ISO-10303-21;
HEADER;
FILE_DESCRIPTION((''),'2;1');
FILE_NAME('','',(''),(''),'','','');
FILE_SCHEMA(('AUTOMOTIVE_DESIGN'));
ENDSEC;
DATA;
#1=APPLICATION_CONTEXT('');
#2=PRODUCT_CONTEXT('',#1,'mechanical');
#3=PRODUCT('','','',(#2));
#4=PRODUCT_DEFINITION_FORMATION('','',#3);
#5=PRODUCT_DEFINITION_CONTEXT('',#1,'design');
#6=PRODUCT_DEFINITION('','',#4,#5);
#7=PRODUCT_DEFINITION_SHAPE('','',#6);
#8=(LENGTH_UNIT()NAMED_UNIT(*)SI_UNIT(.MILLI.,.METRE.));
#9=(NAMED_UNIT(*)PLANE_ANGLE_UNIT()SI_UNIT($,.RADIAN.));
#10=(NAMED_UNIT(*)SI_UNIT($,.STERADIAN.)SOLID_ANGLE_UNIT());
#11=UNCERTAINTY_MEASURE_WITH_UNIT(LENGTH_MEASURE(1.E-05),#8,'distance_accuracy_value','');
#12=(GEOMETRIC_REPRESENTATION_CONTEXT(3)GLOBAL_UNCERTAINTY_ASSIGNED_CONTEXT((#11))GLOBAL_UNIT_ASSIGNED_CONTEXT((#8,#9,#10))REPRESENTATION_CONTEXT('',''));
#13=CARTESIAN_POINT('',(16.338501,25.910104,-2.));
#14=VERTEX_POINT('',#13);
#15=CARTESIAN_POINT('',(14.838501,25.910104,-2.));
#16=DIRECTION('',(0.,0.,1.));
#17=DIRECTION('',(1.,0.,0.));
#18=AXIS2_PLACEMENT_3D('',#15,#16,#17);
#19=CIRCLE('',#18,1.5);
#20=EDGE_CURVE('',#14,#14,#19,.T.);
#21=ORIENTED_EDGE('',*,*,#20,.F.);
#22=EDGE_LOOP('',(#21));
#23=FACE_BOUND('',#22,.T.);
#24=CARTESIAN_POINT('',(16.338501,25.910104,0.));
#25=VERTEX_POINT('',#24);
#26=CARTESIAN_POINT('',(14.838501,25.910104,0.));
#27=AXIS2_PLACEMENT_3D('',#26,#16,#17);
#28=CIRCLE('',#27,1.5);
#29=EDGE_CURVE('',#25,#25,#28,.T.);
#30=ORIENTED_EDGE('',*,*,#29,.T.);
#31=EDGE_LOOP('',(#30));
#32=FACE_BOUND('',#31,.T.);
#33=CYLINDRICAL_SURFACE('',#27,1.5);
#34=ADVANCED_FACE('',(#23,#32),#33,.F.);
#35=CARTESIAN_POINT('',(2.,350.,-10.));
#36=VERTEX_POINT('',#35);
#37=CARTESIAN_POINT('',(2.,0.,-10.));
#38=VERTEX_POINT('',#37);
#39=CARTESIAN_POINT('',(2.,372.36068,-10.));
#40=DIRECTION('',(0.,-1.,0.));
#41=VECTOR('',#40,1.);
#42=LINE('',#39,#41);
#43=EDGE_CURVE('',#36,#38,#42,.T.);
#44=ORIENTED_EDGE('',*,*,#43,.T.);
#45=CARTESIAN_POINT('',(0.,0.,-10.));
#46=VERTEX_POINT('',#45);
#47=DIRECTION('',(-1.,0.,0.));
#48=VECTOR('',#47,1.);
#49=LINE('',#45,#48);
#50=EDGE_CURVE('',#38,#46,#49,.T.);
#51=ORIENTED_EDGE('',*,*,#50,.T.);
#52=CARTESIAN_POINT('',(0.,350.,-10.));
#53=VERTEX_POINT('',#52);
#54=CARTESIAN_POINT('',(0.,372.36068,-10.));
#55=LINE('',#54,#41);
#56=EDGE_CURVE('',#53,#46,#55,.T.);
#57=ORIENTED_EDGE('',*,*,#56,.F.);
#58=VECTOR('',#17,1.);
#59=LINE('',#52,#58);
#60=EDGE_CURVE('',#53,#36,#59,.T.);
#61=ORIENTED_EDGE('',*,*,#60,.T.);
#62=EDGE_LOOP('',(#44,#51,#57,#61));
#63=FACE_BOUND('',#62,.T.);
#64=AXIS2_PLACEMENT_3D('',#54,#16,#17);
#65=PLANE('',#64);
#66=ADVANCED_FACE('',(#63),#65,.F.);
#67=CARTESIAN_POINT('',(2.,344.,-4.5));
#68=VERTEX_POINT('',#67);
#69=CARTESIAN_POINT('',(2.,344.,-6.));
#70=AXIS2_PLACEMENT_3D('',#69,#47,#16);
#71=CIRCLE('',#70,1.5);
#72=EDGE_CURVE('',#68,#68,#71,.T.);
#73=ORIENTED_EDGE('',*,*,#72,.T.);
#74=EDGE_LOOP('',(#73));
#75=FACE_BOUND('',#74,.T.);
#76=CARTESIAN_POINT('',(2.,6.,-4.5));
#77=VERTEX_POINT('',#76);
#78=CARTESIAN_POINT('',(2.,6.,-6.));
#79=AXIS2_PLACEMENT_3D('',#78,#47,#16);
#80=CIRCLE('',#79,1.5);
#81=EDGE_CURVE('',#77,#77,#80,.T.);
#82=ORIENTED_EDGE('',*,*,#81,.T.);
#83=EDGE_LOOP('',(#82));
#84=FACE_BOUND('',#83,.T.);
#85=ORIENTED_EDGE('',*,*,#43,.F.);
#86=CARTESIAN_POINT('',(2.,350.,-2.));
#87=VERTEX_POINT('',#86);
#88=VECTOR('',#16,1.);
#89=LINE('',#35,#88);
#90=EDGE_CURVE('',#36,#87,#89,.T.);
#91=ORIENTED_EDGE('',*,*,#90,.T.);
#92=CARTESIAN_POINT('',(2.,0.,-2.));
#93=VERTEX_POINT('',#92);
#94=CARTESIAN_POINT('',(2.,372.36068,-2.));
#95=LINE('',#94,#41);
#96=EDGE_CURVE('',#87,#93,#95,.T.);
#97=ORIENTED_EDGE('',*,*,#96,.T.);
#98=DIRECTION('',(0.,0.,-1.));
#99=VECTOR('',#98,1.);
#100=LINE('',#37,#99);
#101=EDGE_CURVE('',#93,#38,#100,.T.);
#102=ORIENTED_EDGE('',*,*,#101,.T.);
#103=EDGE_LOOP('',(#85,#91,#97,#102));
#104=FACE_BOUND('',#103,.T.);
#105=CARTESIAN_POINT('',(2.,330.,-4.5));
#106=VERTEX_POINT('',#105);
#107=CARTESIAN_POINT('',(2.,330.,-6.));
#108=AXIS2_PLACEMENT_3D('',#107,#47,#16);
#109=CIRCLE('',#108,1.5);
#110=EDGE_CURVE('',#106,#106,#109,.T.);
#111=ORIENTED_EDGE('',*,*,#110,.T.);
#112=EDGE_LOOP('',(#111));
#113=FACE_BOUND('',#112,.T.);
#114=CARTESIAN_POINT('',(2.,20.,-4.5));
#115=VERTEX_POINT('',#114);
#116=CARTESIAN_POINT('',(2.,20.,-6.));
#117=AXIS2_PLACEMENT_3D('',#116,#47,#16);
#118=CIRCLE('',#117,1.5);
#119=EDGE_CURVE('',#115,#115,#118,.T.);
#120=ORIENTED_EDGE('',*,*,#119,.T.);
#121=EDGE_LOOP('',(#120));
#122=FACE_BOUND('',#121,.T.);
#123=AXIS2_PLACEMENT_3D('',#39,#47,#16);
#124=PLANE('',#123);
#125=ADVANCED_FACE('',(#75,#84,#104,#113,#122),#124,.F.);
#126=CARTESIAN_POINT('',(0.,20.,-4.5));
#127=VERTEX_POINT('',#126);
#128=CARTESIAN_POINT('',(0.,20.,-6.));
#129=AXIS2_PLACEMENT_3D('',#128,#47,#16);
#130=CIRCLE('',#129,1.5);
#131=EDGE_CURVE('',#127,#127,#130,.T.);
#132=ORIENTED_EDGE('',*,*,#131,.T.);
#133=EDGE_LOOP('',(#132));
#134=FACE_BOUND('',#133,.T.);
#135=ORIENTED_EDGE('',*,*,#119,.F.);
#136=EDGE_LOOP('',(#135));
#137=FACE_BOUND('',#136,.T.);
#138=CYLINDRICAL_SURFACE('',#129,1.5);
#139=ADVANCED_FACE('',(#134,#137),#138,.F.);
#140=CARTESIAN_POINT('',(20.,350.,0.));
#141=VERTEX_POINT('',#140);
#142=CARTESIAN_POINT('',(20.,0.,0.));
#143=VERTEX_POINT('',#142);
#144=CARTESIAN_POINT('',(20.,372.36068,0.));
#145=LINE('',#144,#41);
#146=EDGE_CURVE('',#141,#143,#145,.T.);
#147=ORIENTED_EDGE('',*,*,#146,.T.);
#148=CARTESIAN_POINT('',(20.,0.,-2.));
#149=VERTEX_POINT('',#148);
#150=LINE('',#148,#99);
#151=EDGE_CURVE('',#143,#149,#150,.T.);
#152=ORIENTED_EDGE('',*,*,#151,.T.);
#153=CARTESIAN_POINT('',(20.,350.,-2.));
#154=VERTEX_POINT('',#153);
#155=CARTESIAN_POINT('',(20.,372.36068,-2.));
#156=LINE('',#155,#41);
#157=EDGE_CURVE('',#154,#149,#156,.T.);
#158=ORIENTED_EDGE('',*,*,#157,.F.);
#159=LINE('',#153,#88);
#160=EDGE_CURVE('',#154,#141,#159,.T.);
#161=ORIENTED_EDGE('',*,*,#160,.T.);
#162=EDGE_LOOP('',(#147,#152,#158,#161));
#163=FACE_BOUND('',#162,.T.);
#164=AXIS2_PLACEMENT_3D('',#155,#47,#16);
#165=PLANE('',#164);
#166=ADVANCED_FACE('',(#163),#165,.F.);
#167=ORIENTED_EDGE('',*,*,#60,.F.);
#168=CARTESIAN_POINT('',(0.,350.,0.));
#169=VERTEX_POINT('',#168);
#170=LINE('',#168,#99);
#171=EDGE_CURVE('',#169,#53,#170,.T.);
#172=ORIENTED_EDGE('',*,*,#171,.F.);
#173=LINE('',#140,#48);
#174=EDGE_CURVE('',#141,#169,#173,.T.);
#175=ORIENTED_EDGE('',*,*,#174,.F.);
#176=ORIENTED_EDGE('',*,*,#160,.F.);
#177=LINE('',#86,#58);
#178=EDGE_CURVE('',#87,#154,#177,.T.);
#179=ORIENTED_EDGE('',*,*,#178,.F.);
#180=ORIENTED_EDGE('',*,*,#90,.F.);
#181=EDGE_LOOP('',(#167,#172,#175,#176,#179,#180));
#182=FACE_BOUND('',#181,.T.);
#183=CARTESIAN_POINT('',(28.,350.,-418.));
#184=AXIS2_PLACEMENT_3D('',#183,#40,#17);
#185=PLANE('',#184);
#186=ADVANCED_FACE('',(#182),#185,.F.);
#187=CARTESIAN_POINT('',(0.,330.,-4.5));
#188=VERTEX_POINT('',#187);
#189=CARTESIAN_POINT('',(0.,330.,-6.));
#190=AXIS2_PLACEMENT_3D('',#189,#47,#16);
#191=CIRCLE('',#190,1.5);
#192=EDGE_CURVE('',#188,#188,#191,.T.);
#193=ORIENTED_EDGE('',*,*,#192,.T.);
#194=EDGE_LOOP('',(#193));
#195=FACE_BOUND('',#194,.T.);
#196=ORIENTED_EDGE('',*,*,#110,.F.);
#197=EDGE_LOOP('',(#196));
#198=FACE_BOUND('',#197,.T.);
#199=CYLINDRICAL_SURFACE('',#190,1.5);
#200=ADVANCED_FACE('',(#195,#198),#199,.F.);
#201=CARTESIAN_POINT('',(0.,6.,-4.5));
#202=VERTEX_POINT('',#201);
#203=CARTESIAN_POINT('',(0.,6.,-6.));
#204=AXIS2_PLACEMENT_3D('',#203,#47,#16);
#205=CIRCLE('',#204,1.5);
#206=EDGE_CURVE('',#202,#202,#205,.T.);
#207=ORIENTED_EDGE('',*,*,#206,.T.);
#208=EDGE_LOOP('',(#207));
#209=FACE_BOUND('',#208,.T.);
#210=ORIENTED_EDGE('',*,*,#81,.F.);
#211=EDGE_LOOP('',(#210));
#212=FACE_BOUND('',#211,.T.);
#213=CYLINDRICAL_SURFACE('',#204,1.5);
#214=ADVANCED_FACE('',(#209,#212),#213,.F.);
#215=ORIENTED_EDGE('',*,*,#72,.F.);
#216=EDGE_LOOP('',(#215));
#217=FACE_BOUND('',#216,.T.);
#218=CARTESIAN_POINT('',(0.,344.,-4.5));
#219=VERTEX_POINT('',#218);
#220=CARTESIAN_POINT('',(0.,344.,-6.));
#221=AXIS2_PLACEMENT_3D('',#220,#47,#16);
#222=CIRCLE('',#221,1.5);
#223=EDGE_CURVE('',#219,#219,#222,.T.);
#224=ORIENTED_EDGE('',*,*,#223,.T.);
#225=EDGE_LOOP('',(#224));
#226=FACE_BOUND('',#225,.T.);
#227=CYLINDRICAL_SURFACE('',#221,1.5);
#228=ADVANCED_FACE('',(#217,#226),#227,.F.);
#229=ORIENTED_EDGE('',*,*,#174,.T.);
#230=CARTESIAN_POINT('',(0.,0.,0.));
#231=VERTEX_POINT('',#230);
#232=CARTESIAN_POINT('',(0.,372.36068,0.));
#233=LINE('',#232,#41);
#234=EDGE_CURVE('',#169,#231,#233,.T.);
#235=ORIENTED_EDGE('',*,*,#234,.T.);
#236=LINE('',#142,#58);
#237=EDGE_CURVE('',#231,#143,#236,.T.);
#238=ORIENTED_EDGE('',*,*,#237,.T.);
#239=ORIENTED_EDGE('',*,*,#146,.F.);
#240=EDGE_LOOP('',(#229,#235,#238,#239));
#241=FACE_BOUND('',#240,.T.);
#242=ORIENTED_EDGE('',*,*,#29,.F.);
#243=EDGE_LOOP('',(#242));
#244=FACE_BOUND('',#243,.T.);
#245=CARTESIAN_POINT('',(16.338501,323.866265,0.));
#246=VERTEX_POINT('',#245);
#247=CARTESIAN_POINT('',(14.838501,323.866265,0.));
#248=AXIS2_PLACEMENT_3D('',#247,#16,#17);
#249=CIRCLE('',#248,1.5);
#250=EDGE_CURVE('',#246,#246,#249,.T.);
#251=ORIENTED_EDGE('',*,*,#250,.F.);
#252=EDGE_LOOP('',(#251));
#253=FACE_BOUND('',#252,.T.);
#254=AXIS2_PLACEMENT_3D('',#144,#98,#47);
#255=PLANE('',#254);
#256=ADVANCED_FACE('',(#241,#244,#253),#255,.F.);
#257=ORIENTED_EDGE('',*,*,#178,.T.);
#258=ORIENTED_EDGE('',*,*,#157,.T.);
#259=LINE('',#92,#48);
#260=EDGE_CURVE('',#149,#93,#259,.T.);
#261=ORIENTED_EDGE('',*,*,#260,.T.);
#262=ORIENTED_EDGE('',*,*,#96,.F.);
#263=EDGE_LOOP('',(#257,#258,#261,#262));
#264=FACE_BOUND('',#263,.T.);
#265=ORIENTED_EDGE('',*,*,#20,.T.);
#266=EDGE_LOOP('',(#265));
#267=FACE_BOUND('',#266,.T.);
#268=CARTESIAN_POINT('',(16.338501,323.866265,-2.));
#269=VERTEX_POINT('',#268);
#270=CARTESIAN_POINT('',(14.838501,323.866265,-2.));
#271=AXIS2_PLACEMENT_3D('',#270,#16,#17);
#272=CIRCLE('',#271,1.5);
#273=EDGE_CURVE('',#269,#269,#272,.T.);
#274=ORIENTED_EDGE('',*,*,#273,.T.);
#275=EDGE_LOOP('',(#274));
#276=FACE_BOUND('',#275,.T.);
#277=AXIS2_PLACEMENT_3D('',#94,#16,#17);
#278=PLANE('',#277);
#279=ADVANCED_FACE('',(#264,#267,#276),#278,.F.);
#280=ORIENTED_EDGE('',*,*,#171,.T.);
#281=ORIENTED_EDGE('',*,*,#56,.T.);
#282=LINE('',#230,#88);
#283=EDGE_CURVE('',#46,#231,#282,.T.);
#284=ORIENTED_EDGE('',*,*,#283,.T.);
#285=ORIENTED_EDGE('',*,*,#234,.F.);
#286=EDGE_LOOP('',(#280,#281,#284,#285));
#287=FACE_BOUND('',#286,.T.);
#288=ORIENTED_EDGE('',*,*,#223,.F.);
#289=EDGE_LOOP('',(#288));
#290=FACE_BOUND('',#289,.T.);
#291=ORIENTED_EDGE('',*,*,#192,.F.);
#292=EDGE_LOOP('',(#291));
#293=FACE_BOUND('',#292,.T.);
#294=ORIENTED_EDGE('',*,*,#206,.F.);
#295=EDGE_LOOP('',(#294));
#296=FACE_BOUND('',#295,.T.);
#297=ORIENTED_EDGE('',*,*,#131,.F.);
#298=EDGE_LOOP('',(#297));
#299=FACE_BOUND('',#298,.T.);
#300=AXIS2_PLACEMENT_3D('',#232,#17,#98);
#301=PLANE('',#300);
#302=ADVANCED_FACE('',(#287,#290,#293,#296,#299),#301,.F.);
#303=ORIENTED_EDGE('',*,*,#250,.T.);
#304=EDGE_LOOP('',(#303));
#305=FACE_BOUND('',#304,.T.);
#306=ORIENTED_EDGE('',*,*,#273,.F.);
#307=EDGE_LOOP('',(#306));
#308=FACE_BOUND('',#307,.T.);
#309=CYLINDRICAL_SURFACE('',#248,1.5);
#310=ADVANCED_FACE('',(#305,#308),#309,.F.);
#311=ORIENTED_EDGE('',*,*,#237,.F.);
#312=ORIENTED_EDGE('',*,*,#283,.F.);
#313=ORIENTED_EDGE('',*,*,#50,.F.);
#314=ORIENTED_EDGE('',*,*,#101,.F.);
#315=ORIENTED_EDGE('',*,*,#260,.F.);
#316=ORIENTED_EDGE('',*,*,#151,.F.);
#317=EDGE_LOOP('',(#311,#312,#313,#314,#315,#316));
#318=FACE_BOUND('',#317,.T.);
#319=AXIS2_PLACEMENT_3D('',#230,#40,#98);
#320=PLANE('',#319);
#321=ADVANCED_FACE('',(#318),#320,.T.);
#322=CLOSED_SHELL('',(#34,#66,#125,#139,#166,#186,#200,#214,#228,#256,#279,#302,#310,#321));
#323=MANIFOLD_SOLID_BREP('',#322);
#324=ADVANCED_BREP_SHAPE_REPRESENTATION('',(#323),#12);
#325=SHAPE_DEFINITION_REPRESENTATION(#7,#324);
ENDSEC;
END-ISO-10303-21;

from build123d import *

# Parameters (mm, degrees)
BOSS_EXTRUDE1_DEPTH          = 350
F_3_0_3_DIAMETER_SLOT1_D     = 3
F_3_0_3_DIAMETER_HOLE2_D     = 3
F_3_0_3_DIAMETER_HOLE2_DEPTH = 4


with BuildPart() as part:
    # Sketch1 → Boss-Extrude1 (new body)
    with BuildSketch(Plane(origin=(0, 0, 0), x_dir=(1, 0, 0), z_dir=(0, 1, 0))):
        Polygon((0, 0), (0, 10), (2, 10), (2, 2), (20, 2), (20, 0), align=None)
    extrude(amount=BOSS_EXTRUDE1_DEPTH)

    # Ø3.0 (3) Diameter Slot1 (through all)
    with Locations(Plane.XY):
        with Locations((14.838501141, 25.910104069), (14.838501141, 323.866264903)):
            Hole(F_3_0_3_DIAMETER_SLOT1_D / 2)

    # Ø3.0 (3) Diameter Hole2
    with Locations(Plane(origin=(0, 128.861996081, -176.67995168), x_dir=(0, 1, 0), z_dir=(-1, 0, 0))):
        with Locations((-122.861996081, -170.67995168), (-108.861996081, -170.67995168), (215.138003919, -170.67995168), (201.138003919, -170.67995168)):
            Hole(F_3_0_3_DIAMETER_HOLE2_D / 2, depth=F_3_0_3_DIAMETER_HOLE2_DEPTH)


solid = part.part
